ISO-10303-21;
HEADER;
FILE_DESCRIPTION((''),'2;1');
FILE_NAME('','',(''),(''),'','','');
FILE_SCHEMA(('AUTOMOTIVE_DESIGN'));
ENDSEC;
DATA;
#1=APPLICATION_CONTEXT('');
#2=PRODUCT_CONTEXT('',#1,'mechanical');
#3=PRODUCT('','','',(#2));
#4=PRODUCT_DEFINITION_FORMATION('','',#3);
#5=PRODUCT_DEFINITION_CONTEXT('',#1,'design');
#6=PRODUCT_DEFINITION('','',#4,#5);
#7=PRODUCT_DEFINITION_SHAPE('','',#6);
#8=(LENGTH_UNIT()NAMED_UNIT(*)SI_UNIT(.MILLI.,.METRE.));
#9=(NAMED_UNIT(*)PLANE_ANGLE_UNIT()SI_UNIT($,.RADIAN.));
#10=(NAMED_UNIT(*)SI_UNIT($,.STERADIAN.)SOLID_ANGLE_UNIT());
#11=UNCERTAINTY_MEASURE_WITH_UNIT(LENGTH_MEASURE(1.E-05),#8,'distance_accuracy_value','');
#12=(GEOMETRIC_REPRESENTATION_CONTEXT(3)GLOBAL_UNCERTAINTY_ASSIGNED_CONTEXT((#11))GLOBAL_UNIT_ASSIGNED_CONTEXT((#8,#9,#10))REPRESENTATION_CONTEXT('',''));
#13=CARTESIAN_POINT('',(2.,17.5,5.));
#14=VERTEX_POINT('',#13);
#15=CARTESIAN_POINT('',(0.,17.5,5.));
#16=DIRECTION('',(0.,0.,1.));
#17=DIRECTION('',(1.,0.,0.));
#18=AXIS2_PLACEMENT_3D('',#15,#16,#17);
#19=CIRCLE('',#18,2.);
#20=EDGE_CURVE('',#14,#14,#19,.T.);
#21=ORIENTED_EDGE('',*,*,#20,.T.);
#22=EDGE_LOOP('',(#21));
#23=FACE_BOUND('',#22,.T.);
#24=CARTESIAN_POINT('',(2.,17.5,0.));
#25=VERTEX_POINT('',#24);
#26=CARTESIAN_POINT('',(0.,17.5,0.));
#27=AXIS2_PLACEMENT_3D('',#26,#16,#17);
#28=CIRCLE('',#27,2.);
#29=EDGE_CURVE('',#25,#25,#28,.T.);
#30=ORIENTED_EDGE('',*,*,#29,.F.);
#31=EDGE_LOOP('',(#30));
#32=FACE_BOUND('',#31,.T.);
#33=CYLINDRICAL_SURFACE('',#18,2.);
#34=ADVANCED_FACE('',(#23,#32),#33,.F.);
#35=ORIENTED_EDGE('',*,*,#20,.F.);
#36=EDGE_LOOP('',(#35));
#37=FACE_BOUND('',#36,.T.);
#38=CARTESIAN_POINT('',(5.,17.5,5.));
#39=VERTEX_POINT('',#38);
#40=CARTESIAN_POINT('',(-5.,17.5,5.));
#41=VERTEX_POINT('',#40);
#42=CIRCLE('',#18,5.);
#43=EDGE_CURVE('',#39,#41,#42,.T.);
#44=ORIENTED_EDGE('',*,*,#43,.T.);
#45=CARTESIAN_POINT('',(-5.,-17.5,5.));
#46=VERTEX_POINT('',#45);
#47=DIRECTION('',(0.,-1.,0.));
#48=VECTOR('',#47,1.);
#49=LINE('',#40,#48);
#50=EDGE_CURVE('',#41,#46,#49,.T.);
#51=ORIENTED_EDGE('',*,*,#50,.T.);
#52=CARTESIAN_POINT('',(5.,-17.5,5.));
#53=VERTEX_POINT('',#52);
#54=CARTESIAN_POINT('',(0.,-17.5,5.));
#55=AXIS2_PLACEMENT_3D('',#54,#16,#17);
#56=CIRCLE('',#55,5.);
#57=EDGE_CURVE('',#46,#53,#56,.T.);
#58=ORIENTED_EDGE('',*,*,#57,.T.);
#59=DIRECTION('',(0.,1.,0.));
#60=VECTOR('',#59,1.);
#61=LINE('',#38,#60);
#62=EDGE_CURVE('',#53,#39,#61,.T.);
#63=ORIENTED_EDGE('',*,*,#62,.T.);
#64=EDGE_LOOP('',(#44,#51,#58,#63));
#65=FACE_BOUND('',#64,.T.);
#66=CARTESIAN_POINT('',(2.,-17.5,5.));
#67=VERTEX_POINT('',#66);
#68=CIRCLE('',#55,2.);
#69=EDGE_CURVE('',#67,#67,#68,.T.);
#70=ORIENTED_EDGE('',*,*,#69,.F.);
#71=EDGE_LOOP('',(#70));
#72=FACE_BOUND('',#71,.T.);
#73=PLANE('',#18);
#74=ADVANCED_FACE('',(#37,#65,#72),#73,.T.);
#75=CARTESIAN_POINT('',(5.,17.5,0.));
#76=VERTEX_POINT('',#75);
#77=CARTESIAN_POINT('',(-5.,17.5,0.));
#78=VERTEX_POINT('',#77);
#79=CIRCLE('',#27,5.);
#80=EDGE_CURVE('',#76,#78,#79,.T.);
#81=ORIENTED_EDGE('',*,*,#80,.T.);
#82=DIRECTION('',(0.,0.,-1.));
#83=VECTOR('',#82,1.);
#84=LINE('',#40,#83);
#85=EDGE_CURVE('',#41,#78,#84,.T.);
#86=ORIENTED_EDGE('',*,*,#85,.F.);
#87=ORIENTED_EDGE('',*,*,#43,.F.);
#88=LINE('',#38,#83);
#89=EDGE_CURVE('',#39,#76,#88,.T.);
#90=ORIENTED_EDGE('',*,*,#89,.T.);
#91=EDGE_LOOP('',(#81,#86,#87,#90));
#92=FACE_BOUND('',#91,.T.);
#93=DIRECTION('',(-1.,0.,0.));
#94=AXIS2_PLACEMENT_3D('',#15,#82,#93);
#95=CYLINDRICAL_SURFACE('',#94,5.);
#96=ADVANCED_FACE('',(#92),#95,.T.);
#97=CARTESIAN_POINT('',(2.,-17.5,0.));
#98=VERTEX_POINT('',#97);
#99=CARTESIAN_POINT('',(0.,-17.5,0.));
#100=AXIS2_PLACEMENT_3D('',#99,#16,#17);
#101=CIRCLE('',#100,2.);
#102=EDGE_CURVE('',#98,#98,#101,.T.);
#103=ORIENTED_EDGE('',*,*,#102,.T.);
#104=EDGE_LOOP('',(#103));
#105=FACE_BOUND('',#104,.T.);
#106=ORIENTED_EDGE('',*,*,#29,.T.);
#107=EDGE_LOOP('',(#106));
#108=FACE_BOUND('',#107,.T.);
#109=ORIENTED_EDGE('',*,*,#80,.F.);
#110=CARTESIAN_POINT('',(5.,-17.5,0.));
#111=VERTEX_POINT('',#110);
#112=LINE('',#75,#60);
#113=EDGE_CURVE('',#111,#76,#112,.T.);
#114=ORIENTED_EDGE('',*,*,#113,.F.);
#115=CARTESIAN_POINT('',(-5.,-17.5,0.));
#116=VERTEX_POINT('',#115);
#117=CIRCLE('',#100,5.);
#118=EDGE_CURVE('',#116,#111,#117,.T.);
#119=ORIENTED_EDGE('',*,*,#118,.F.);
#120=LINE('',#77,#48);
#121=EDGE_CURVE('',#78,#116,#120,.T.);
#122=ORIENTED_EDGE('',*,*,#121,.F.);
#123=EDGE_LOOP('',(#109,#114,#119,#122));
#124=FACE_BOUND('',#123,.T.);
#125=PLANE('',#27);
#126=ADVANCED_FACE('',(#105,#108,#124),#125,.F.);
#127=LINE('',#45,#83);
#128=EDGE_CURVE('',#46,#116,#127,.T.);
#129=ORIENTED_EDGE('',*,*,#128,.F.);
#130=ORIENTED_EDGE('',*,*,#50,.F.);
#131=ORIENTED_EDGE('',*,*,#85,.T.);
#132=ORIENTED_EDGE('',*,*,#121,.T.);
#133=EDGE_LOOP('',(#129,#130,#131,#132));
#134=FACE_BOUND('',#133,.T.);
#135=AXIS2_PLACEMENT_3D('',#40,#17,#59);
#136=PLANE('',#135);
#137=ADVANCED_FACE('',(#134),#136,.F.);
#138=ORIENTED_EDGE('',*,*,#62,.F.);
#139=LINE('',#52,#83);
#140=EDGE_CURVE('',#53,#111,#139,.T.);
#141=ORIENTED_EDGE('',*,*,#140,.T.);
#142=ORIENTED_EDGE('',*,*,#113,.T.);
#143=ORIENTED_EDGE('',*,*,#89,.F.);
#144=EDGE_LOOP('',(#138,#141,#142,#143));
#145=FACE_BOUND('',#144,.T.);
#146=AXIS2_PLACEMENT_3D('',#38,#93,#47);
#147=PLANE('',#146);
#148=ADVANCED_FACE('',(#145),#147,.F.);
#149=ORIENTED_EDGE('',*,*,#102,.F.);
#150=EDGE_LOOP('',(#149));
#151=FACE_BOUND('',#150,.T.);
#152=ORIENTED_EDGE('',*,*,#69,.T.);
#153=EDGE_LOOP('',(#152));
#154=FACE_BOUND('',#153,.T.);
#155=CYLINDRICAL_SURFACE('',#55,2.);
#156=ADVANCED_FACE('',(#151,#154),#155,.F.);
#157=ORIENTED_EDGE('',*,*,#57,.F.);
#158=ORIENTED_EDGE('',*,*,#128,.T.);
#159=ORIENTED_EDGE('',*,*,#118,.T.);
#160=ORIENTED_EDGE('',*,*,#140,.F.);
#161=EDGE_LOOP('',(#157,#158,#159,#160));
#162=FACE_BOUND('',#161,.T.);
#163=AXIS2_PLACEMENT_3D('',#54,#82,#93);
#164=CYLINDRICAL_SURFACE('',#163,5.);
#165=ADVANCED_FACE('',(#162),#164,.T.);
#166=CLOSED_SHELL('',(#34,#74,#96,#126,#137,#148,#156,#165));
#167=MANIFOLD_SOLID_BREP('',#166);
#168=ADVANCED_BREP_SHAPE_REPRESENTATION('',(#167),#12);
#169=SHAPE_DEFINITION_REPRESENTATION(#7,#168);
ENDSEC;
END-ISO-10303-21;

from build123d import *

# Parameters (mm, degrees)
BOSS_EXTRUDE1_DEPTH   = 5
F_4_0MM_DOWEL_HOLE1_D = 4


with BuildPart() as part:
    # Sketch1 → Boss-Extrude1 (new body)
    with BuildSketch(Plane.XY):
        with BuildLine():
            Line((5, 17.5), (5, -17.5))
            ThreePointArc((5, -17.5), (0, -22.5), (-5, -17.5))
            Line((-5, -17.5), (-5, 17.5))
            ThreePointArc((-5, 17.5), (0, 22.5), (5, 17.5))
        make_face()
    extrude(amount=BOSS_EXTRUDE1_DEPTH)

    # Ø4.0mm Dowel Hole1 (through all)
    with Locations(Plane.XY.offset(5)):
        with Locations((0, 17.5), (0, -17.5)):
            Hole(F_4_0MM_DOWEL_HOLE1_D / 2)


solid = part.part
